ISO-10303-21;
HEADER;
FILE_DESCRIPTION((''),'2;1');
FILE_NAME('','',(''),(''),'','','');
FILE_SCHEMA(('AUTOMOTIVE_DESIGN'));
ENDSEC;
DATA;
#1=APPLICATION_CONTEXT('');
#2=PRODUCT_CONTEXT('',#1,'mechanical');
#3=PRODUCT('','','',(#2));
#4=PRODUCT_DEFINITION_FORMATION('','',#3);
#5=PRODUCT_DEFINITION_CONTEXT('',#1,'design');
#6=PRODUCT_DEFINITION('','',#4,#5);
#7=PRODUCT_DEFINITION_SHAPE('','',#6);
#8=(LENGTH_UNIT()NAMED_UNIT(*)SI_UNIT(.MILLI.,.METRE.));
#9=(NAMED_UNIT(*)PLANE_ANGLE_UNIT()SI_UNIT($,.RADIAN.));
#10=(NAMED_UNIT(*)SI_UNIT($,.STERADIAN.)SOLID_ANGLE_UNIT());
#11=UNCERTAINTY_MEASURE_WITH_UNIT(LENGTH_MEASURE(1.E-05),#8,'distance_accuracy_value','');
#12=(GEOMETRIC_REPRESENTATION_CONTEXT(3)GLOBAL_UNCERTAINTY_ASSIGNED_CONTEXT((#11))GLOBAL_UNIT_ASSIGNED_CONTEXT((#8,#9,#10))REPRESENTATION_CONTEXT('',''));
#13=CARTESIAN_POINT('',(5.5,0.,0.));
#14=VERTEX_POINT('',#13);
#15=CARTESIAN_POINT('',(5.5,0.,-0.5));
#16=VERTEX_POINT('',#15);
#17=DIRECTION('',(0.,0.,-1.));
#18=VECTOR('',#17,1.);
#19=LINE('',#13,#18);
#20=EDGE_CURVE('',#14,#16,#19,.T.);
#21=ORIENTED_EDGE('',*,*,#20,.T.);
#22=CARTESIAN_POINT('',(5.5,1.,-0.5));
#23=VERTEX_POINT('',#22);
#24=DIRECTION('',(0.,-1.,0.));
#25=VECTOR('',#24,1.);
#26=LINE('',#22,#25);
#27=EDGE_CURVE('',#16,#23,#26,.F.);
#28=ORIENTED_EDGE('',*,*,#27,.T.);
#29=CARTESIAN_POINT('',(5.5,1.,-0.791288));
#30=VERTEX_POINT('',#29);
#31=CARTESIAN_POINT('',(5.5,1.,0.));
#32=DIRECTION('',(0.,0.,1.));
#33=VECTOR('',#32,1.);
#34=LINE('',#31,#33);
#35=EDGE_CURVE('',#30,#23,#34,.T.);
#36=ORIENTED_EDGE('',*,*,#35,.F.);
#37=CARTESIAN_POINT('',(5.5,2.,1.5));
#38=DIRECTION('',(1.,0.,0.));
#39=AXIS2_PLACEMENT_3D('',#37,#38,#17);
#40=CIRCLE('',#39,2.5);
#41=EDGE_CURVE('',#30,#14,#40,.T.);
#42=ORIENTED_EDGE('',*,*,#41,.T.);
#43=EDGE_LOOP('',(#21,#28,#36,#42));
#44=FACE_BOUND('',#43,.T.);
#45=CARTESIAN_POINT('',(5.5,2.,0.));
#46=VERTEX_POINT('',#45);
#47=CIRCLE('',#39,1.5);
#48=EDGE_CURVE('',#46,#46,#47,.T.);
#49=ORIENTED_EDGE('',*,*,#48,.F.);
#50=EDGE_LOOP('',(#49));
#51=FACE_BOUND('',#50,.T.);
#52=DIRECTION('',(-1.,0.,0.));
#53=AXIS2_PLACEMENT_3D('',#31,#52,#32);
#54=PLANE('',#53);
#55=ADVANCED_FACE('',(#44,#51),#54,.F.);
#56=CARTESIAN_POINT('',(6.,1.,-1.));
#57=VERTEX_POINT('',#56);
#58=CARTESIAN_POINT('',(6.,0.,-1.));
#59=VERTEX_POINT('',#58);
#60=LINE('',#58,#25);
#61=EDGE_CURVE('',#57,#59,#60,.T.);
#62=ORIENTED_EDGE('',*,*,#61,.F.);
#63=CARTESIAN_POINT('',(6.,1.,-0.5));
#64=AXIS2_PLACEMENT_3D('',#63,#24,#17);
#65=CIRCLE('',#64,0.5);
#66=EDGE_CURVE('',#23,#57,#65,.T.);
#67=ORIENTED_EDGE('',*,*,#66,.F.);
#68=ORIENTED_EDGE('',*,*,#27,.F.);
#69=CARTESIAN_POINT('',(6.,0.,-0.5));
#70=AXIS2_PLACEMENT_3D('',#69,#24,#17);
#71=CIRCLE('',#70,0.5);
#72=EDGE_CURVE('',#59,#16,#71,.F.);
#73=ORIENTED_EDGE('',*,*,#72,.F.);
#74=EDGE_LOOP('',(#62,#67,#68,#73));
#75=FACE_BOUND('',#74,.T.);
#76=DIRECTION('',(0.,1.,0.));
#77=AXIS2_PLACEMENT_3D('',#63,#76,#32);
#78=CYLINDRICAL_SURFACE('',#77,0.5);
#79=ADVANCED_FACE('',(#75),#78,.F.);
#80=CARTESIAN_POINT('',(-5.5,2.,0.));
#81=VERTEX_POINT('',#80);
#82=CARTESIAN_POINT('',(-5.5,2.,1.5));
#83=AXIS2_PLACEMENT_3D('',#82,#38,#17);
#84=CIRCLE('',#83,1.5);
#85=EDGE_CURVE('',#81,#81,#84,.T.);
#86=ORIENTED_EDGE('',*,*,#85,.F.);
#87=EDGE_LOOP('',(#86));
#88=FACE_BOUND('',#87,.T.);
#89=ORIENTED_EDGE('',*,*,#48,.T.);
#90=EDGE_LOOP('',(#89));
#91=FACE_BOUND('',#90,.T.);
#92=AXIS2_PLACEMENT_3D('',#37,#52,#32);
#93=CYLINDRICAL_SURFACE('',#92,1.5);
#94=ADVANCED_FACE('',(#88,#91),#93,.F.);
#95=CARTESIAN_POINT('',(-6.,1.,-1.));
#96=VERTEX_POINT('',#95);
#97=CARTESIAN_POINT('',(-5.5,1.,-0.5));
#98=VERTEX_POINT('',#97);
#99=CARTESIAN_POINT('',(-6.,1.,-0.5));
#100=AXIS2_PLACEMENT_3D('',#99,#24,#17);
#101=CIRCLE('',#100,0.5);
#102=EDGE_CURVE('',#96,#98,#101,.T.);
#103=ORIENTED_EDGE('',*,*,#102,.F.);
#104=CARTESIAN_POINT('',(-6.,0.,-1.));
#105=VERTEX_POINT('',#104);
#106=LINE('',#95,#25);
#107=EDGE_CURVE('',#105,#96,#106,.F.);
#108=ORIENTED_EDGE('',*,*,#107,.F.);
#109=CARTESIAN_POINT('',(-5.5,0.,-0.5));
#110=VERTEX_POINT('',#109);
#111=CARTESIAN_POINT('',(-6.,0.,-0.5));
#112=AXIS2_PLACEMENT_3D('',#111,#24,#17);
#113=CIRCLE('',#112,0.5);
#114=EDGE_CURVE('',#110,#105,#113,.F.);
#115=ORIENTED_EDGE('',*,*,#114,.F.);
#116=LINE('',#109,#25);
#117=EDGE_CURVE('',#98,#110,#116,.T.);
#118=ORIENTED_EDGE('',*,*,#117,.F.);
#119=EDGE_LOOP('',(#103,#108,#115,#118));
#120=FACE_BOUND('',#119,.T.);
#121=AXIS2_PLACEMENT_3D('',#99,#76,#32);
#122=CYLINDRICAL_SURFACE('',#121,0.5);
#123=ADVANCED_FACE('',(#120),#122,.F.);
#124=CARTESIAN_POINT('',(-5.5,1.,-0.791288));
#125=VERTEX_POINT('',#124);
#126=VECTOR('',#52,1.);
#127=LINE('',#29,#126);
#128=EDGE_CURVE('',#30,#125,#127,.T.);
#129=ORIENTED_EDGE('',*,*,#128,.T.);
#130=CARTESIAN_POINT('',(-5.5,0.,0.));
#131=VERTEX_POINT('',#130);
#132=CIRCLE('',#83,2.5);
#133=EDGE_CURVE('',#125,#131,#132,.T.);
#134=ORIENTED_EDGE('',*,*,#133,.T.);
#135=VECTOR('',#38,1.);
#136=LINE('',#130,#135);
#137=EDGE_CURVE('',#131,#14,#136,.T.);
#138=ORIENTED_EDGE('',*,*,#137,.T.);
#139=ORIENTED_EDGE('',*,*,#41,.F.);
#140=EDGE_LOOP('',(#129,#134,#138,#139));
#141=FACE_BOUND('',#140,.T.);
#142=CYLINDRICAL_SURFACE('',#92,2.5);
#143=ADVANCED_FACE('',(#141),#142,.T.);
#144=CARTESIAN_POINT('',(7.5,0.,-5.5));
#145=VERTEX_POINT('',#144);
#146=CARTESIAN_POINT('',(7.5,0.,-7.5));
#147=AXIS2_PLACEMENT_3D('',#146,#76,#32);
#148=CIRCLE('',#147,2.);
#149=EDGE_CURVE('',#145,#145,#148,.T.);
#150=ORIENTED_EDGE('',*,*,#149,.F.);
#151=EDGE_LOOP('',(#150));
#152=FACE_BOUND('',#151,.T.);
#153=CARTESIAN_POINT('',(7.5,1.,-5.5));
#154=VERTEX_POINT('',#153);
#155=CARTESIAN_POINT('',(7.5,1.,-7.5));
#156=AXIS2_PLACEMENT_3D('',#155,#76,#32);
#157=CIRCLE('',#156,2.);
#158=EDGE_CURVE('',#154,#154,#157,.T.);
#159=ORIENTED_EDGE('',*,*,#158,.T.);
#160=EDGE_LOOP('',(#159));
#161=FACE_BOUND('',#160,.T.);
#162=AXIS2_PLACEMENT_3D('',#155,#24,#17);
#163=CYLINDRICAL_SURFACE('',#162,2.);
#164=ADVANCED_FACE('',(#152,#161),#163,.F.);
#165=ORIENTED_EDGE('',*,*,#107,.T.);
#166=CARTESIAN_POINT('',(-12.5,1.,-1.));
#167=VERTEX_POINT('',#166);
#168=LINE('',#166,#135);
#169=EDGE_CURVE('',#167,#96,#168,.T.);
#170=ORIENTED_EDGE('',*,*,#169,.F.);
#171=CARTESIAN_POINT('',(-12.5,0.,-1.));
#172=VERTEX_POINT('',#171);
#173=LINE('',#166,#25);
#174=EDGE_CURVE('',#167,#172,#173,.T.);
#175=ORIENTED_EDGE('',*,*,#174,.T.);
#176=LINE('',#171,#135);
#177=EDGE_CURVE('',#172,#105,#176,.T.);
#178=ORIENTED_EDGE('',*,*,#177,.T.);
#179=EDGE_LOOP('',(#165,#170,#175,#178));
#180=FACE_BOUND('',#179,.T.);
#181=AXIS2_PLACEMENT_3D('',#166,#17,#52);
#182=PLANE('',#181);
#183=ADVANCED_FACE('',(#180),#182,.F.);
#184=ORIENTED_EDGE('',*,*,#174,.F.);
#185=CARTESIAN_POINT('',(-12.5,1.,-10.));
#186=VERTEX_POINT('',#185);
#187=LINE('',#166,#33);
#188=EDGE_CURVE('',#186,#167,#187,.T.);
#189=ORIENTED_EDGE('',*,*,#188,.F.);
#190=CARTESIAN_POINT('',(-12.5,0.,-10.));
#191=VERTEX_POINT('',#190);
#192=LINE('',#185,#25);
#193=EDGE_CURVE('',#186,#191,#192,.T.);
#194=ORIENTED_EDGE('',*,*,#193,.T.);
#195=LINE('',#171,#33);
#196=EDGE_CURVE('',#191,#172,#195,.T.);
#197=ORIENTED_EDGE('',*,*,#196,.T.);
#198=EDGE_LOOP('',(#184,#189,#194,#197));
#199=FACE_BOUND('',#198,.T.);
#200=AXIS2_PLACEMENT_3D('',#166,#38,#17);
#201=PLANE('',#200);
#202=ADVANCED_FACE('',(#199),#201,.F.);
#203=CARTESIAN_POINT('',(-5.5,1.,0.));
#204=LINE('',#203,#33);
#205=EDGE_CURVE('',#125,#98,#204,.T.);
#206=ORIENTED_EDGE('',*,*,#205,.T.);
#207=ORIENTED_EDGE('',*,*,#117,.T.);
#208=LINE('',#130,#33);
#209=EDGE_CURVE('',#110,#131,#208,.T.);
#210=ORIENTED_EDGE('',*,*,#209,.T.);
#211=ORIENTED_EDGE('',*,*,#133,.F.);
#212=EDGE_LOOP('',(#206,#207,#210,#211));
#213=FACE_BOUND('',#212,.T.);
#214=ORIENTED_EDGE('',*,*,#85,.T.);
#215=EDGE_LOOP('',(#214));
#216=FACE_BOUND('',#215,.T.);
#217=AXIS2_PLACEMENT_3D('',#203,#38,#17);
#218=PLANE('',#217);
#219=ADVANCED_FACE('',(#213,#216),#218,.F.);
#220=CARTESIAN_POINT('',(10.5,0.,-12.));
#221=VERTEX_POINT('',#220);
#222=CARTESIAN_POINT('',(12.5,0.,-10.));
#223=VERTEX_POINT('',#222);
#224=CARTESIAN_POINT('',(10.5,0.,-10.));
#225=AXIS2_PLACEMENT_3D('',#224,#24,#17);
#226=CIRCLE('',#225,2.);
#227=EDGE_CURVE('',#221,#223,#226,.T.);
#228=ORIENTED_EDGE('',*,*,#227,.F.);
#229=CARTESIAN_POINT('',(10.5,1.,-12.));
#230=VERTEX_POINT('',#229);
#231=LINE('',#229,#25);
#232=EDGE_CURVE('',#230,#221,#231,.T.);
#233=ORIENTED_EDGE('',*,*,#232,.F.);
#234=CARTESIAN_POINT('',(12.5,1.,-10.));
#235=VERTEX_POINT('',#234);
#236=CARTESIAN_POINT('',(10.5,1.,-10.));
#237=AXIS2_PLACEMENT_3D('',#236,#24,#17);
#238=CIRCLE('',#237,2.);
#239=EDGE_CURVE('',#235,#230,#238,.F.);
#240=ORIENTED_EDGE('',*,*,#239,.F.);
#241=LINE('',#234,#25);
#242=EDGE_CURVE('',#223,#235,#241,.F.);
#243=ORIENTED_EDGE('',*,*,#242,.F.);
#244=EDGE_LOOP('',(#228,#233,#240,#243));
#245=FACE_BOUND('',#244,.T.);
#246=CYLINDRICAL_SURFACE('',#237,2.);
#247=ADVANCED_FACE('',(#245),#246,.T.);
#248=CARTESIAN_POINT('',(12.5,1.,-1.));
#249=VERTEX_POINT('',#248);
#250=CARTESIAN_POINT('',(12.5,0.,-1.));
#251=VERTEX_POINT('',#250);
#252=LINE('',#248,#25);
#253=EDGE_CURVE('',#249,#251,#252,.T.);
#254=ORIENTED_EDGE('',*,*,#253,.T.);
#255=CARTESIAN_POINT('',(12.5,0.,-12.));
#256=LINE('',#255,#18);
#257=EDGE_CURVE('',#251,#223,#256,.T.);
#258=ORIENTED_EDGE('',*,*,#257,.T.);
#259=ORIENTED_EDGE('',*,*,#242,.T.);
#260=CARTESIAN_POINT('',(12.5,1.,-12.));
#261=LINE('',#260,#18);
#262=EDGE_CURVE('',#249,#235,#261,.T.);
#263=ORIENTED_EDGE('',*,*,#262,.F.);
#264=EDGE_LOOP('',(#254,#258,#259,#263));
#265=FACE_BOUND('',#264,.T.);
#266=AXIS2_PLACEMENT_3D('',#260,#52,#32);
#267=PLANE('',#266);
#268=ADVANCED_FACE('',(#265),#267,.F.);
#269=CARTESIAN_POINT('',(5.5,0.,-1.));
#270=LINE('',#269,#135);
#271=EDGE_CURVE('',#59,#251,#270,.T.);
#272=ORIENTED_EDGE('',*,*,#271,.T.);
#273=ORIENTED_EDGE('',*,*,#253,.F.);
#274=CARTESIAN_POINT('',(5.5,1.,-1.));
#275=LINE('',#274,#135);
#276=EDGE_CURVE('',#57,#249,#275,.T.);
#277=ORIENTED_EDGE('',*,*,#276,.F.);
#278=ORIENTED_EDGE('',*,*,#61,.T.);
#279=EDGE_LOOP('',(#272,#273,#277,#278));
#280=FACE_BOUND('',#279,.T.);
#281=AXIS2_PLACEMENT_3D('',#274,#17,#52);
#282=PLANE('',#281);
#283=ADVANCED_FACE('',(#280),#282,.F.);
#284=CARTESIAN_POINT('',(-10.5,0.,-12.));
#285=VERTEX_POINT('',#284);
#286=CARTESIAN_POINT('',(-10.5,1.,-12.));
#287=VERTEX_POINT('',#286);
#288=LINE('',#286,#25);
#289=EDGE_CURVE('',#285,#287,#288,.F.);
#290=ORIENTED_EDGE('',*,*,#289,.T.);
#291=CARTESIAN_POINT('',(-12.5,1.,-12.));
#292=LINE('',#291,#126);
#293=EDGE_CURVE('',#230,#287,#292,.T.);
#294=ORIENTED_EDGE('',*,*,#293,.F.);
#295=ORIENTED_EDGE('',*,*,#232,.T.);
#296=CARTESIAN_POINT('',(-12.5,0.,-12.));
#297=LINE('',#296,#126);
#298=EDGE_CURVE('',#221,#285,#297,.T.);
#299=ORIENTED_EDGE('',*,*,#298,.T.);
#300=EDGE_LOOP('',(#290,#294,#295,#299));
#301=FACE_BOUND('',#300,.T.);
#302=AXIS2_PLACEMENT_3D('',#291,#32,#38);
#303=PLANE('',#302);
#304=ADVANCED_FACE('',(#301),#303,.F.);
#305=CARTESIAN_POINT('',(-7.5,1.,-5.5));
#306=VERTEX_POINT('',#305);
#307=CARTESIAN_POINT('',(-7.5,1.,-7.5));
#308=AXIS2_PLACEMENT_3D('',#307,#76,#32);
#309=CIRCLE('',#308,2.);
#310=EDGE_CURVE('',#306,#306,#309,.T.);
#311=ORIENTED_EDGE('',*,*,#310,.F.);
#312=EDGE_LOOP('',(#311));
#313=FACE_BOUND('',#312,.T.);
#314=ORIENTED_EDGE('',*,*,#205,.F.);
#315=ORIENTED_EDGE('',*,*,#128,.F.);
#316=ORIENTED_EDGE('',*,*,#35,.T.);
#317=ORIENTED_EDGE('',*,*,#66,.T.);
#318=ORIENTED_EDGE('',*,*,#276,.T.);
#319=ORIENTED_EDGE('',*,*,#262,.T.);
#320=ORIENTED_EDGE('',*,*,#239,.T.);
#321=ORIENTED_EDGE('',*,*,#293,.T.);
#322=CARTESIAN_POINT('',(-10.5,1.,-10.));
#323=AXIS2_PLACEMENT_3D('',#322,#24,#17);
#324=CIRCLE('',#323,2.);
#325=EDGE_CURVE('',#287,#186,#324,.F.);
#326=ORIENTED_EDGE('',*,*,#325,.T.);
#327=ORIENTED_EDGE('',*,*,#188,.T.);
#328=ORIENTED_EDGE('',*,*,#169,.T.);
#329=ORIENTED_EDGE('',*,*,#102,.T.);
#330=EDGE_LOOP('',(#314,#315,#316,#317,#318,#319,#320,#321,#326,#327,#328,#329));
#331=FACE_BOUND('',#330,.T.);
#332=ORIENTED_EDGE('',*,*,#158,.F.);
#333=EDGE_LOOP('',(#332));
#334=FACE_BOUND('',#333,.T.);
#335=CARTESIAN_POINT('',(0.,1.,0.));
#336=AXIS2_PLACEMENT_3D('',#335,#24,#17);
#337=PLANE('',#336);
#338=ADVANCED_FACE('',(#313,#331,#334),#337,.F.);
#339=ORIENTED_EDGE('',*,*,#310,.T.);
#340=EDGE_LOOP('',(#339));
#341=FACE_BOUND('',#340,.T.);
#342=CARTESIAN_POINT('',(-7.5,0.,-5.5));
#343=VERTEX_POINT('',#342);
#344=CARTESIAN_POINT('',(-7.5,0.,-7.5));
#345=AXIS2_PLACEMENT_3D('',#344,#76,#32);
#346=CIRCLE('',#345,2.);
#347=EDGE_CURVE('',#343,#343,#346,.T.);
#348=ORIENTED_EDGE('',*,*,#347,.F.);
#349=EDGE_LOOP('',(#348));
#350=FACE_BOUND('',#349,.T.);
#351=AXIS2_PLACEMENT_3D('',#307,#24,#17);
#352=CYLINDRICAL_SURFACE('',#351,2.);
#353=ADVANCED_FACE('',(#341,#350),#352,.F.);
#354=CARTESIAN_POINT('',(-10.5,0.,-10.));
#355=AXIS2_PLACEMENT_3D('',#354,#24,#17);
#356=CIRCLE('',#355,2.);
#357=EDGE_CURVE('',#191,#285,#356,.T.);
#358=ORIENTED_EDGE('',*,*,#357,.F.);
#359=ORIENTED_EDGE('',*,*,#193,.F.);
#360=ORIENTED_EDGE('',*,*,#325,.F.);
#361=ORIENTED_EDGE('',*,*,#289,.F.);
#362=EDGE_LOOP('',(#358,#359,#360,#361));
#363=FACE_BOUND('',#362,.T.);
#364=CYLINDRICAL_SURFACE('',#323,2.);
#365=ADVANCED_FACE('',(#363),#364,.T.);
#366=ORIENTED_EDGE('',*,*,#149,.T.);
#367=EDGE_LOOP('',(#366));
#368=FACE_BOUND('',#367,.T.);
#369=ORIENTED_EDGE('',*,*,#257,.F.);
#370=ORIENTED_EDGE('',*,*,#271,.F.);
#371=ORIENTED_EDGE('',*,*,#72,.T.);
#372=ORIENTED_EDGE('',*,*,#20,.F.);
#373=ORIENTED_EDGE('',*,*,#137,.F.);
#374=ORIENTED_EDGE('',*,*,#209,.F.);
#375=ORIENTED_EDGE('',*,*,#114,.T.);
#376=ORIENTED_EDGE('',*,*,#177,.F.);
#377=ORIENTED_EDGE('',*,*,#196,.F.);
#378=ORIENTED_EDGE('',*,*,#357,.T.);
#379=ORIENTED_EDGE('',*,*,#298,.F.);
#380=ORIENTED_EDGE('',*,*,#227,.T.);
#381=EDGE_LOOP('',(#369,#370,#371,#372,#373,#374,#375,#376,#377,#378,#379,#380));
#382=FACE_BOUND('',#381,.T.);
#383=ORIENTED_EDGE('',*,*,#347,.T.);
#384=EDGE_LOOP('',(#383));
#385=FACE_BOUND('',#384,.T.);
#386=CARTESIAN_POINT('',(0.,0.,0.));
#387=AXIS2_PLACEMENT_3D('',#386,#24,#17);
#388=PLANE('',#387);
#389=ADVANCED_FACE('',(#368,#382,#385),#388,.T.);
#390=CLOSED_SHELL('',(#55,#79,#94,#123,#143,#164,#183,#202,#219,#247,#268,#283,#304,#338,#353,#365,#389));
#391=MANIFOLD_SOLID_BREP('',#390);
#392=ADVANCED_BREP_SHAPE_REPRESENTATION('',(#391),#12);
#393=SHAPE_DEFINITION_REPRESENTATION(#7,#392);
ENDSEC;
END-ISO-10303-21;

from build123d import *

# Parameters (mm, degrees)
SKETCH_1_R      = 2
EXTRUDE_1_DEPTH = 1
FILLET_1_R      = 2
FILLET_2_R      = 0.5
SKETCH_3_R      = 2.5
SKETCH_3_R_2    = 1.5
EXTRUDE_2_DEPTH = 5.5


with BuildPart() as part:
    # 草图1 → 凸台-拉伸1 (new body)
    with BuildSketch(Plane(origin=(0, 0, 0), x_dir=(1, 0, 0), z_dir=(0, 1, 0))):
        Polygon((-12.5, 1), (-5.5, 1), (-5.5, 0), (5.5, 0), (5.5, 1), (12.5, 1), (12.5, 12), (-12.5, 12), align=None)
        with Locations(Location((7.5, 7.5, 0), (0, 0, 270))):
            Circle(SKETCH_1_R, mode=Mode.SUBTRACT)
        with Locations(Location((-7.5, 7.5, 0), (0, 0, 270))):
            Circle(SKETCH_1_R, mode=Mode.SUBTRACT)
    extrude(amount=EXTRUDE_1_DEPTH)

    # 圆角1
    fillet_1_edges = [part.edges().sort_by_distance(p)[0] for p in [
        (-12.5, 0.5, -12),
        (12.5, 0.5, -12),
    ]]
    fillet(fillet_1_edges, radius=FILLET_1_R)

    # 圆角2
    fillet_2_edges = [part.edges().sort_by_distance(p)[0] for p in [
        (5.5, 0.5, -1),
        (-5.5, 0.5, -1),
    ]]
    fillet(fillet_2_edges, radius=FILLET_2_R)

    # 草图3 → 凸台-拉伸2 (add, symmetric)
    with BuildSketch(Plane(origin=(0, 0, 0), x_dir=(0, 0, -1), z_dir=(1, 0, 0))):
        with Locations((-1.5, 2)):
            Circle(SKETCH_3_R)
        with Locations((-1.5, 2)):
            Circle(SKETCH_3_R_2, mode=Mode.SUBTRACT)
    extrude(amount=EXTRUDE_2_DEPTH, both=True)


solid = part.part
